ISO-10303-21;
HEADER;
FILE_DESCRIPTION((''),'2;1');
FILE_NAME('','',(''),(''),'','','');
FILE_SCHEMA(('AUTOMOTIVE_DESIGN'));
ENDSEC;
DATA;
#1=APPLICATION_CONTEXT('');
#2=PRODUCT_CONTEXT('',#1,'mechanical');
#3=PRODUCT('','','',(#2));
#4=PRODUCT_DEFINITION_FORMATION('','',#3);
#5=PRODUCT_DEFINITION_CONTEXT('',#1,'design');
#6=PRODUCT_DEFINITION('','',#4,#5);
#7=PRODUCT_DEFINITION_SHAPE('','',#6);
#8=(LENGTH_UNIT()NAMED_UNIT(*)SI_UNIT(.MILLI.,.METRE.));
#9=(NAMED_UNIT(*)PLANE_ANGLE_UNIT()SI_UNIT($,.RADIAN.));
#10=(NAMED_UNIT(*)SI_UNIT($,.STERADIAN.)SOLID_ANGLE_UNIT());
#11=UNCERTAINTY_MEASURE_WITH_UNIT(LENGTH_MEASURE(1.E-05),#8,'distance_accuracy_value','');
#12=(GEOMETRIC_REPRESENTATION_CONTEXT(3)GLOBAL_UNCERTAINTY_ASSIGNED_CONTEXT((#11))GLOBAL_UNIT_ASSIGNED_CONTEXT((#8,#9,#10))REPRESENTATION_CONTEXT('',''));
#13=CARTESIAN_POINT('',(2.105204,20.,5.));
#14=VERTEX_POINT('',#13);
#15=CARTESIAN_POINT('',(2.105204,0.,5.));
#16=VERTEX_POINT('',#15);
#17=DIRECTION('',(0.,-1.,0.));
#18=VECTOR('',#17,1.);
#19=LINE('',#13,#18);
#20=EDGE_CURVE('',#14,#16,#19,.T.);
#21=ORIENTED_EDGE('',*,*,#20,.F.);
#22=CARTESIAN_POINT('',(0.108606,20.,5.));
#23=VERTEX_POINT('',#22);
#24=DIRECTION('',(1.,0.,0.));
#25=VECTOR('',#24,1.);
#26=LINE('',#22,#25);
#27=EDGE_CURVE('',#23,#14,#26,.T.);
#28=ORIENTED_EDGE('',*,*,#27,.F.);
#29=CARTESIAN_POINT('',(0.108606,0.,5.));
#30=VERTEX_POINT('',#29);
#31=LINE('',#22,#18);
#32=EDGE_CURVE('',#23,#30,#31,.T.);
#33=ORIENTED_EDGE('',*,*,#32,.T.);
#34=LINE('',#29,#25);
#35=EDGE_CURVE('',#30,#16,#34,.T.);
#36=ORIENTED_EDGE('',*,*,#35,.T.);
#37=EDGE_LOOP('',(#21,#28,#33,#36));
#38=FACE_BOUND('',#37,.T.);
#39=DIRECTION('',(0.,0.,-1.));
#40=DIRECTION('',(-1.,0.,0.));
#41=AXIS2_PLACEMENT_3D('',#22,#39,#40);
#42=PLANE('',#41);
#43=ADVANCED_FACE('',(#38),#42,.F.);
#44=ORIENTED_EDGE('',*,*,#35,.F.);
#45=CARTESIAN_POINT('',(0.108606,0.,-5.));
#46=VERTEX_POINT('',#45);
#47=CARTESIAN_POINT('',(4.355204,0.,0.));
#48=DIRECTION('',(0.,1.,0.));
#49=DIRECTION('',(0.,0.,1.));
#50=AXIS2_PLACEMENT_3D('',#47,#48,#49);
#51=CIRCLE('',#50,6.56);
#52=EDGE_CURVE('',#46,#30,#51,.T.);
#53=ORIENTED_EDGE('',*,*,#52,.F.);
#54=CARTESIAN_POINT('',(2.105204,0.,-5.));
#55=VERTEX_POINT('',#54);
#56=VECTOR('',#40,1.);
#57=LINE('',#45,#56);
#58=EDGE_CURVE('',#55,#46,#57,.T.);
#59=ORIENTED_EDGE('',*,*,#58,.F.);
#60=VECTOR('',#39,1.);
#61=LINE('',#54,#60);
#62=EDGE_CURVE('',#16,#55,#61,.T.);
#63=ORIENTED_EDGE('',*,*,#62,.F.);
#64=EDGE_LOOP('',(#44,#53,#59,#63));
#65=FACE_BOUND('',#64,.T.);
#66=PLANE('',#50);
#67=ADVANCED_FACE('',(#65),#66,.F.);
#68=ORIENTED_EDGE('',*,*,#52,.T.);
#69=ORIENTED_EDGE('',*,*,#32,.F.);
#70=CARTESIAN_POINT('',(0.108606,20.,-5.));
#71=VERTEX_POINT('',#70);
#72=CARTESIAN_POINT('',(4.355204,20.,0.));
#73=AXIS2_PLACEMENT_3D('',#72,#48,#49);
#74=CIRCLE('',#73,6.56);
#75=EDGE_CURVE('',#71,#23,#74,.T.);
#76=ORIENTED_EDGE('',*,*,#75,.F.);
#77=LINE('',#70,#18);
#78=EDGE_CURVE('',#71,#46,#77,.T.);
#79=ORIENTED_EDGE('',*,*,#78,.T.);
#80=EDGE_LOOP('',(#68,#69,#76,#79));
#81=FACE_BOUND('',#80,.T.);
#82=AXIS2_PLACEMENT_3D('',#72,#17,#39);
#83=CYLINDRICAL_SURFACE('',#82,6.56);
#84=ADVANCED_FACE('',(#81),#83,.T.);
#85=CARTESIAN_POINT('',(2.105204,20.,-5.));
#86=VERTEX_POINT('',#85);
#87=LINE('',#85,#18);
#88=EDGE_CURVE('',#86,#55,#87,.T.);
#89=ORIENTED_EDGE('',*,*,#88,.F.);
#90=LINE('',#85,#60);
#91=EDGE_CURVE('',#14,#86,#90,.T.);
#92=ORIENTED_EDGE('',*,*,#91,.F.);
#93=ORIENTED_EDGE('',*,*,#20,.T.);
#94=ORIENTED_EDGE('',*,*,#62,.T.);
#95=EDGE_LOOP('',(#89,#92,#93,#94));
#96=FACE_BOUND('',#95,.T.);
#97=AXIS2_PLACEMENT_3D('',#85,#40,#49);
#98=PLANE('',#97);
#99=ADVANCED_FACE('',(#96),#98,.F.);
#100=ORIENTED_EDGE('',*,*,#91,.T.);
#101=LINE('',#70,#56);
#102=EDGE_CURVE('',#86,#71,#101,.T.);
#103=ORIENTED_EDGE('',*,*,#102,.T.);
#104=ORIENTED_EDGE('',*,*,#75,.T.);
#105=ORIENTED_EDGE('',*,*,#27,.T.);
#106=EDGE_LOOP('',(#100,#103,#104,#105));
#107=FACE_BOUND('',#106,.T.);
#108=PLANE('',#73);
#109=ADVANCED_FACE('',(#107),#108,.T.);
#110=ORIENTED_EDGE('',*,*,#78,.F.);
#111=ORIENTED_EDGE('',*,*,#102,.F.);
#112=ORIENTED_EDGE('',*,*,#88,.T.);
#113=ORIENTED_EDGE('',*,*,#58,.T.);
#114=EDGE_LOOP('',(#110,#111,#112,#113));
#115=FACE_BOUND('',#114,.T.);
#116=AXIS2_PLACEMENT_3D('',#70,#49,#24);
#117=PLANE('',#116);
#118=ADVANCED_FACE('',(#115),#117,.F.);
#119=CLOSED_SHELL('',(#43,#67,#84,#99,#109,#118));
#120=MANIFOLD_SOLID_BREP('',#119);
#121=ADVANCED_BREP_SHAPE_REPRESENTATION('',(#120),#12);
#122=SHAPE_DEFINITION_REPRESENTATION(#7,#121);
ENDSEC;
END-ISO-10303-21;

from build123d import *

# Parameters (mm, degrees)
EXTRUDE_1_DEPTH = 20


with BuildPart() as part:
    # 草图1 → 凸台-拉伸1 (new body)
    with BuildSketch(Plane(origin=(0, 0, 0), x_dir=(1, 0, 0), z_dir=(0, 1, 0))):
        with BuildLine():
            Line((0.108605696, 5), (2.105204335, 5))
            Line((2.105204335, 5), (2.105204335, -5))
            Line((2.105204335, -5), (0.108605696, -5))
            ThreePointArc((0.108605696, -5), (-2.204795665, 0), (0.108605696, 5))
        make_face()
    extrude(amount=EXTRUDE_1_DEPTH)


solid = part.part
